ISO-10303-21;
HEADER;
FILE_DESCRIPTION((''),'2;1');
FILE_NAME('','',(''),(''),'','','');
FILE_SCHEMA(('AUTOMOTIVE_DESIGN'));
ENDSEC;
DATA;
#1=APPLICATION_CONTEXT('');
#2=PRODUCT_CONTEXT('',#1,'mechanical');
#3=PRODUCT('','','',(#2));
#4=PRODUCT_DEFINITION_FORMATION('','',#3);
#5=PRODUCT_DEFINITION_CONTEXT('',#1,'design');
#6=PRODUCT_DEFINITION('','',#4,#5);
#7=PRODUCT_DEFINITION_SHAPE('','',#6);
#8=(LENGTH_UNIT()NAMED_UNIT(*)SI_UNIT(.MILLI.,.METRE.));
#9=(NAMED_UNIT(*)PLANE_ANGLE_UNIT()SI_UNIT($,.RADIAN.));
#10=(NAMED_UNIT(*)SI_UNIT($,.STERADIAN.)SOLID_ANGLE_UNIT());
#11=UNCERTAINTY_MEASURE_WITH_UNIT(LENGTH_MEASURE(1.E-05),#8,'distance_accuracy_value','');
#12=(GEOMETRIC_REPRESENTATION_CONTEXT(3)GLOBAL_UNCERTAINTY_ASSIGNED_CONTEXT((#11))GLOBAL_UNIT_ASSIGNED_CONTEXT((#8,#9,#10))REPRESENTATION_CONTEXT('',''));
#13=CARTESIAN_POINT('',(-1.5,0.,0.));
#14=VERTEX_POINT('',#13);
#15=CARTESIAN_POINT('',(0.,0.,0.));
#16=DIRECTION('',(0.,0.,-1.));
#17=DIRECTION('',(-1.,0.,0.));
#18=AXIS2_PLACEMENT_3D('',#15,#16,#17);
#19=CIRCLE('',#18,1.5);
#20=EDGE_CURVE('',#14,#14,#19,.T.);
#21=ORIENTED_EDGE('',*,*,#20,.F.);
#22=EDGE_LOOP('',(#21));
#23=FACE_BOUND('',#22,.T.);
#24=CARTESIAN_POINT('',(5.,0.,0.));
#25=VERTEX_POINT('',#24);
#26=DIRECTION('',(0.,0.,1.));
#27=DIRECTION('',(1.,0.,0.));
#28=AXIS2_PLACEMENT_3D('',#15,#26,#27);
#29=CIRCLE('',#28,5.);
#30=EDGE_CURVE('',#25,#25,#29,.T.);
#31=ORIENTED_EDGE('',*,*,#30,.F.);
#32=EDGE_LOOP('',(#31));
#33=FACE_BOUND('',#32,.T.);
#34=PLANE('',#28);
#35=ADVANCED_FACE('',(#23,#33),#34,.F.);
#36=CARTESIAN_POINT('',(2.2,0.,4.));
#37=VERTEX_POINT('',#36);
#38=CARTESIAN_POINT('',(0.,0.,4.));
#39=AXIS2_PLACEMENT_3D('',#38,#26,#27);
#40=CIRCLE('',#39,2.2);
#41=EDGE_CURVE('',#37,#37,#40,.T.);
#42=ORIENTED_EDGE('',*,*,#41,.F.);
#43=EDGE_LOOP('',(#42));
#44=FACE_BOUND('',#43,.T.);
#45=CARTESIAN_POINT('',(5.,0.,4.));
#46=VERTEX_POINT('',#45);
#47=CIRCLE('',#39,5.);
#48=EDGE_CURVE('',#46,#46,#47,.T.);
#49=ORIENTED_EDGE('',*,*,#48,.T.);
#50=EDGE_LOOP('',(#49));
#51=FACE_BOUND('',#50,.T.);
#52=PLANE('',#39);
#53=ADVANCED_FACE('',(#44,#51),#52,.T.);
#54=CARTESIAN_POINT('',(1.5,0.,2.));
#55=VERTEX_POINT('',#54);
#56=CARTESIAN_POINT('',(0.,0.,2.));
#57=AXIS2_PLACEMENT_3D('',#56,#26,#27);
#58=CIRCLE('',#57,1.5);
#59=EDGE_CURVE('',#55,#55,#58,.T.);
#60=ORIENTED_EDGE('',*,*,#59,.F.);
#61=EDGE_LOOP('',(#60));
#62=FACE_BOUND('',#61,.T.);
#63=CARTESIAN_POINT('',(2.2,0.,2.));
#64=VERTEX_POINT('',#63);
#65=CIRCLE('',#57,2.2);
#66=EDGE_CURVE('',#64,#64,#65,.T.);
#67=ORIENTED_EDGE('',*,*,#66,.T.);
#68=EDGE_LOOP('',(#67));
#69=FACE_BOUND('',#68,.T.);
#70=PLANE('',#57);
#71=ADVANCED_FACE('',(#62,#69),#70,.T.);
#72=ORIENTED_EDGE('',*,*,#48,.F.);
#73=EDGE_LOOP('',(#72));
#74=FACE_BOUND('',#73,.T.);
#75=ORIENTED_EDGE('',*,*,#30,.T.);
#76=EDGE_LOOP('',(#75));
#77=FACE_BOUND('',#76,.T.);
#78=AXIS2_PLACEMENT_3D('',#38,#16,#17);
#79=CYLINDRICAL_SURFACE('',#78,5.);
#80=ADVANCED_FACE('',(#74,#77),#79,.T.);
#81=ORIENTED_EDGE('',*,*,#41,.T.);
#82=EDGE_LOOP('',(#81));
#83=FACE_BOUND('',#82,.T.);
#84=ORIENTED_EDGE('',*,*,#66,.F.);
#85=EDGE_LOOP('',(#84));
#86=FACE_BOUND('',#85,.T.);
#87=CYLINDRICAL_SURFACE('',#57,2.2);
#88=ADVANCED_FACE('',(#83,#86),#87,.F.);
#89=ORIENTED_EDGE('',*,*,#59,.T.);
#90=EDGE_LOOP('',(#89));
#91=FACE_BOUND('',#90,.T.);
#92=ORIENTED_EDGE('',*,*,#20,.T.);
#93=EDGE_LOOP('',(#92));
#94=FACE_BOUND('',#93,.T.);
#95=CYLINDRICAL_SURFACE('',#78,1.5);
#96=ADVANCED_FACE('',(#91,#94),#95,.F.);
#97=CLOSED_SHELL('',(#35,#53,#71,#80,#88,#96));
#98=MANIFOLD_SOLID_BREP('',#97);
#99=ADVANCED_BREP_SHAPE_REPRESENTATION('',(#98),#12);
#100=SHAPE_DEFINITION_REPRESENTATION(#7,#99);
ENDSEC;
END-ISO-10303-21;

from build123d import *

# Parameters (mm, degrees)
ESQUISSE1_R             = 5
BOSS_EXTRU_1_DEPTH      = 4
ESQUISSE2_R             = 2.2
ENL_V_MAT_EXTRU_1_DEPTH = 2
ESQUISSE3_R             = 1.5
ENL_V_MAT_EXTRU_2_DEPTH = 9.124038405


with BuildPart() as part:
    # Esquisse1 → Boss.-Extru.1 (new body)
    with BuildSketch(Plane.XY):
        Circle(ESQUISSE1_R)
    extrude(amount=BOSS_EXTRU_1_DEPTH)

    # Esquisse2 → Enlèv. mat.-Extru.1 (cut)
    with BuildSketch(Plane.XY.offset(4)):
        Circle(ESQUISSE2_R)
    extrude(amount=-ENL_V_MAT_EXTRU_1_DEPTH, mode=Mode.SUBTRACT)

    # Esquisse3 → Enlèv. mat.-Extru.2 (cut, through all)
    with BuildSketch(Plane(origin=(0, 0, 0), x_dir=(-1, 0, 0), z_dir=(0, 0, -1))):
        Circle(ESQUISSE3_R)
    extrude(amount=-ENL_V_MAT_EXTRU_2_DEPTH, mode=Mode.SUBTRACT)


solid = part.part
